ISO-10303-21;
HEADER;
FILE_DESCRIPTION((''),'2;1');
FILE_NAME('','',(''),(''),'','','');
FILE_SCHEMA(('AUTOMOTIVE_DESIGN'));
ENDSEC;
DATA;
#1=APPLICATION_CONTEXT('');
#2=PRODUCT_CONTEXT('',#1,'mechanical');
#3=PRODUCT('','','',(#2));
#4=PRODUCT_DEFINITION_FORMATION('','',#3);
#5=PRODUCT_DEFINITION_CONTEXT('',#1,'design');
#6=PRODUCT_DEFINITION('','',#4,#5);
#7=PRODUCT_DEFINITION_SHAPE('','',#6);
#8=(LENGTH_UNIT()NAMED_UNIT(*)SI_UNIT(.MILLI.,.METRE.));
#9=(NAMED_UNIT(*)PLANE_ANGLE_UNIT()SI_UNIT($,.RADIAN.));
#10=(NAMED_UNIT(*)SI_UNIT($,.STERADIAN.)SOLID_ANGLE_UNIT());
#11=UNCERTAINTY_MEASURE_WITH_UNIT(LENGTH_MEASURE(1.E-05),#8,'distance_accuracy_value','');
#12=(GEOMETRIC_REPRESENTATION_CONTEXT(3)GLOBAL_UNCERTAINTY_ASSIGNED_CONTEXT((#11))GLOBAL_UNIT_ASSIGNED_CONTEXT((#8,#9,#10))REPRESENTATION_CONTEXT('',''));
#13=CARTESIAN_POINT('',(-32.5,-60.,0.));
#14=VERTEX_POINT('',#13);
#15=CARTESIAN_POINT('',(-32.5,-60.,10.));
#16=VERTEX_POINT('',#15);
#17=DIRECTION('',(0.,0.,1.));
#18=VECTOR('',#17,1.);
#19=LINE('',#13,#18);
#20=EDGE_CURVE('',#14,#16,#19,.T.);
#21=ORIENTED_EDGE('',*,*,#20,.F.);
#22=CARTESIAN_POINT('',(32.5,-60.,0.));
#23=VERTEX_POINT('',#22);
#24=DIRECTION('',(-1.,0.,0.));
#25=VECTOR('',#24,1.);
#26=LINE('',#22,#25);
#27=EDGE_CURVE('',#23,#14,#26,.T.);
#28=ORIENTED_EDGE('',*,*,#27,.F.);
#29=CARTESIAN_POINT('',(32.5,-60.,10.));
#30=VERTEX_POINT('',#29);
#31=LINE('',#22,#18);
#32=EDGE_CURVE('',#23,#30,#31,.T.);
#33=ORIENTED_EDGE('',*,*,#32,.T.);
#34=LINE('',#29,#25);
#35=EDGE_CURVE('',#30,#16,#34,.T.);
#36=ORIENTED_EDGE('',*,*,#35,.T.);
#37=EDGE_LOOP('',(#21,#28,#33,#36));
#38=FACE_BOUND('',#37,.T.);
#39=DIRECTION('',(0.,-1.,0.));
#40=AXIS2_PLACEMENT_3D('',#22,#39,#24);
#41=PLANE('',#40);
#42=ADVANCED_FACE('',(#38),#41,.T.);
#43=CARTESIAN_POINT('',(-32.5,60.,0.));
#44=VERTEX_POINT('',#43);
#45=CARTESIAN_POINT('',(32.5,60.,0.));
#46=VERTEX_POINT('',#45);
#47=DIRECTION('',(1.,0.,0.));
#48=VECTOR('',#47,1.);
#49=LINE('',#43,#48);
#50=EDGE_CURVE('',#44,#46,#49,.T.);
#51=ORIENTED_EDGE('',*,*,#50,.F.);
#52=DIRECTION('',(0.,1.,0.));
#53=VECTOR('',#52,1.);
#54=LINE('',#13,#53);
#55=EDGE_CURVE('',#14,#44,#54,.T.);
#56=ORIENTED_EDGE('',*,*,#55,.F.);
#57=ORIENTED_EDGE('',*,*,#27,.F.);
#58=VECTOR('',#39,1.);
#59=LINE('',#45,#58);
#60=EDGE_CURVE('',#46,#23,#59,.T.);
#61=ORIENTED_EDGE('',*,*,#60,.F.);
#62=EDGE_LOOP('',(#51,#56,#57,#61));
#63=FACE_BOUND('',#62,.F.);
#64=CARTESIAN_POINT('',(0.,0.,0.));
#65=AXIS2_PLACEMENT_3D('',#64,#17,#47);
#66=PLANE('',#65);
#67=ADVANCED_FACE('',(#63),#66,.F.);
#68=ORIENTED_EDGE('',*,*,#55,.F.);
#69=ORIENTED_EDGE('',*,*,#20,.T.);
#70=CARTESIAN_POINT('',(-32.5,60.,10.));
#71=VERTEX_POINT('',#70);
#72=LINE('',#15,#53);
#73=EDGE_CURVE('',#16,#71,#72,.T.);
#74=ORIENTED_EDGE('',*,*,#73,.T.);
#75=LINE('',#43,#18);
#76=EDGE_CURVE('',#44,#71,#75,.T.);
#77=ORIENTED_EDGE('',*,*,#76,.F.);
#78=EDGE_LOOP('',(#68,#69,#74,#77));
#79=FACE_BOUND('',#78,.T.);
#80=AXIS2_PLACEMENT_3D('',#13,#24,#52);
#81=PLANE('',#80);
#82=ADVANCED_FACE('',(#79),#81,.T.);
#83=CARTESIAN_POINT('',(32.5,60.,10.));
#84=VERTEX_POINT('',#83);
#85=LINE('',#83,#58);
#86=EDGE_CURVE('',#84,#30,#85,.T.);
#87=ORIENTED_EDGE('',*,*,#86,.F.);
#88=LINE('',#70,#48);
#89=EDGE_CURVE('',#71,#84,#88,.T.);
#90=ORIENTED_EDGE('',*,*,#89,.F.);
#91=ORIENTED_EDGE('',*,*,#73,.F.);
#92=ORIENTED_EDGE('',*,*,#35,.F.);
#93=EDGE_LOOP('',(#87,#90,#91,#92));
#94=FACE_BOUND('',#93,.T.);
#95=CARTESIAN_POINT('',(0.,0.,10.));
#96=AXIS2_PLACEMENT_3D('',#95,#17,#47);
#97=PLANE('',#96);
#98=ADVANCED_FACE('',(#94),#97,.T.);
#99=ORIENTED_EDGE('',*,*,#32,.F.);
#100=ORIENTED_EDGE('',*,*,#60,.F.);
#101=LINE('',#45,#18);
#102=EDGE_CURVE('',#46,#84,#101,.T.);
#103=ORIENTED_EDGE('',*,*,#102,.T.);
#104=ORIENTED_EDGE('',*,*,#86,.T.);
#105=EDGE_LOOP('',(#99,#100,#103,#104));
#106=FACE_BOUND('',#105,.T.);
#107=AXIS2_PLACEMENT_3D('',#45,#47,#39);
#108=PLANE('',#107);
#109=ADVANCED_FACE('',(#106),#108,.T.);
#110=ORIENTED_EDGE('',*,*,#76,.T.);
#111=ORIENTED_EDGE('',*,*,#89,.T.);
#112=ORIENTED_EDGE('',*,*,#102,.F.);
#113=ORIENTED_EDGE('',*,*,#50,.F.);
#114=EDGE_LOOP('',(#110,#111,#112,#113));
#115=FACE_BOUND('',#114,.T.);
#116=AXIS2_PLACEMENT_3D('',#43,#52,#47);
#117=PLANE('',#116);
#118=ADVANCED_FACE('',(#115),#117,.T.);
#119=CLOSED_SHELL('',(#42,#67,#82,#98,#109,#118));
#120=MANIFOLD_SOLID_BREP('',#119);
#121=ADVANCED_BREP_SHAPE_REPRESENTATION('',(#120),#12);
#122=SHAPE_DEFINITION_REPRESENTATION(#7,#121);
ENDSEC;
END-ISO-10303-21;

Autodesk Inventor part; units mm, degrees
ref_plane "YZ Plane" through (0, 0, 0) normal (1, 0, 0) x (0, 1, 0)
ref_plane "XZ Plane" through (0, 0, 0) normal (0, 1, 0) x (-1, 0, 0)
ref_plane "XY Plane" through (0, 0, 0) normal (0, 0, 1) x (1, 0, 0)
sketch "Sketch1" plane through (0, 0, 0) normal (0, 0, 1) x (1, 0, 0)
  line L0 (0, 84) -> (0, -84) construction
  line L1 (-48.9937, 0) -> (48.8913, 0) construction
  line L2 (32.5, -60) -> (-32.5, -60)
  line L3 (-32.5, -60) -> (-32.5, 60)
  line L4 (-32.5, 60) -> (32.5, 60)
  line L5 (32.5, 60) -> (32.5, -60)
  line L6 (32.5, -60) -> (-32.5, 60) construction
  line L7 (-32.5, -60) -> (32.5, 60) construction
  point P0 (0, 0)
  dimension "d0" = 65
  dimension "d1" = 120
extrude "Extrusion1" add sketch "Sketch1" along normal blind 10
sketch "Sketch2" plane through (0, 0, 10) normal (0, 0, 1) x (1, 0, 0)
  line L0 (-35.0101, 17.0569) -> (34.9078, 17.0569) construction
  line L1 (34.9078, 17.0569) -> (34.9078, -17.012) construction
  line L2 (34.9078, -17.012) -> (-35.0101, -17.012) construction
  line L3 (-35.0101, -17.012) -> (-35.0101, 17.0569) construction
  point P0 (0, 0)
properties part number "17-0028-0014"
